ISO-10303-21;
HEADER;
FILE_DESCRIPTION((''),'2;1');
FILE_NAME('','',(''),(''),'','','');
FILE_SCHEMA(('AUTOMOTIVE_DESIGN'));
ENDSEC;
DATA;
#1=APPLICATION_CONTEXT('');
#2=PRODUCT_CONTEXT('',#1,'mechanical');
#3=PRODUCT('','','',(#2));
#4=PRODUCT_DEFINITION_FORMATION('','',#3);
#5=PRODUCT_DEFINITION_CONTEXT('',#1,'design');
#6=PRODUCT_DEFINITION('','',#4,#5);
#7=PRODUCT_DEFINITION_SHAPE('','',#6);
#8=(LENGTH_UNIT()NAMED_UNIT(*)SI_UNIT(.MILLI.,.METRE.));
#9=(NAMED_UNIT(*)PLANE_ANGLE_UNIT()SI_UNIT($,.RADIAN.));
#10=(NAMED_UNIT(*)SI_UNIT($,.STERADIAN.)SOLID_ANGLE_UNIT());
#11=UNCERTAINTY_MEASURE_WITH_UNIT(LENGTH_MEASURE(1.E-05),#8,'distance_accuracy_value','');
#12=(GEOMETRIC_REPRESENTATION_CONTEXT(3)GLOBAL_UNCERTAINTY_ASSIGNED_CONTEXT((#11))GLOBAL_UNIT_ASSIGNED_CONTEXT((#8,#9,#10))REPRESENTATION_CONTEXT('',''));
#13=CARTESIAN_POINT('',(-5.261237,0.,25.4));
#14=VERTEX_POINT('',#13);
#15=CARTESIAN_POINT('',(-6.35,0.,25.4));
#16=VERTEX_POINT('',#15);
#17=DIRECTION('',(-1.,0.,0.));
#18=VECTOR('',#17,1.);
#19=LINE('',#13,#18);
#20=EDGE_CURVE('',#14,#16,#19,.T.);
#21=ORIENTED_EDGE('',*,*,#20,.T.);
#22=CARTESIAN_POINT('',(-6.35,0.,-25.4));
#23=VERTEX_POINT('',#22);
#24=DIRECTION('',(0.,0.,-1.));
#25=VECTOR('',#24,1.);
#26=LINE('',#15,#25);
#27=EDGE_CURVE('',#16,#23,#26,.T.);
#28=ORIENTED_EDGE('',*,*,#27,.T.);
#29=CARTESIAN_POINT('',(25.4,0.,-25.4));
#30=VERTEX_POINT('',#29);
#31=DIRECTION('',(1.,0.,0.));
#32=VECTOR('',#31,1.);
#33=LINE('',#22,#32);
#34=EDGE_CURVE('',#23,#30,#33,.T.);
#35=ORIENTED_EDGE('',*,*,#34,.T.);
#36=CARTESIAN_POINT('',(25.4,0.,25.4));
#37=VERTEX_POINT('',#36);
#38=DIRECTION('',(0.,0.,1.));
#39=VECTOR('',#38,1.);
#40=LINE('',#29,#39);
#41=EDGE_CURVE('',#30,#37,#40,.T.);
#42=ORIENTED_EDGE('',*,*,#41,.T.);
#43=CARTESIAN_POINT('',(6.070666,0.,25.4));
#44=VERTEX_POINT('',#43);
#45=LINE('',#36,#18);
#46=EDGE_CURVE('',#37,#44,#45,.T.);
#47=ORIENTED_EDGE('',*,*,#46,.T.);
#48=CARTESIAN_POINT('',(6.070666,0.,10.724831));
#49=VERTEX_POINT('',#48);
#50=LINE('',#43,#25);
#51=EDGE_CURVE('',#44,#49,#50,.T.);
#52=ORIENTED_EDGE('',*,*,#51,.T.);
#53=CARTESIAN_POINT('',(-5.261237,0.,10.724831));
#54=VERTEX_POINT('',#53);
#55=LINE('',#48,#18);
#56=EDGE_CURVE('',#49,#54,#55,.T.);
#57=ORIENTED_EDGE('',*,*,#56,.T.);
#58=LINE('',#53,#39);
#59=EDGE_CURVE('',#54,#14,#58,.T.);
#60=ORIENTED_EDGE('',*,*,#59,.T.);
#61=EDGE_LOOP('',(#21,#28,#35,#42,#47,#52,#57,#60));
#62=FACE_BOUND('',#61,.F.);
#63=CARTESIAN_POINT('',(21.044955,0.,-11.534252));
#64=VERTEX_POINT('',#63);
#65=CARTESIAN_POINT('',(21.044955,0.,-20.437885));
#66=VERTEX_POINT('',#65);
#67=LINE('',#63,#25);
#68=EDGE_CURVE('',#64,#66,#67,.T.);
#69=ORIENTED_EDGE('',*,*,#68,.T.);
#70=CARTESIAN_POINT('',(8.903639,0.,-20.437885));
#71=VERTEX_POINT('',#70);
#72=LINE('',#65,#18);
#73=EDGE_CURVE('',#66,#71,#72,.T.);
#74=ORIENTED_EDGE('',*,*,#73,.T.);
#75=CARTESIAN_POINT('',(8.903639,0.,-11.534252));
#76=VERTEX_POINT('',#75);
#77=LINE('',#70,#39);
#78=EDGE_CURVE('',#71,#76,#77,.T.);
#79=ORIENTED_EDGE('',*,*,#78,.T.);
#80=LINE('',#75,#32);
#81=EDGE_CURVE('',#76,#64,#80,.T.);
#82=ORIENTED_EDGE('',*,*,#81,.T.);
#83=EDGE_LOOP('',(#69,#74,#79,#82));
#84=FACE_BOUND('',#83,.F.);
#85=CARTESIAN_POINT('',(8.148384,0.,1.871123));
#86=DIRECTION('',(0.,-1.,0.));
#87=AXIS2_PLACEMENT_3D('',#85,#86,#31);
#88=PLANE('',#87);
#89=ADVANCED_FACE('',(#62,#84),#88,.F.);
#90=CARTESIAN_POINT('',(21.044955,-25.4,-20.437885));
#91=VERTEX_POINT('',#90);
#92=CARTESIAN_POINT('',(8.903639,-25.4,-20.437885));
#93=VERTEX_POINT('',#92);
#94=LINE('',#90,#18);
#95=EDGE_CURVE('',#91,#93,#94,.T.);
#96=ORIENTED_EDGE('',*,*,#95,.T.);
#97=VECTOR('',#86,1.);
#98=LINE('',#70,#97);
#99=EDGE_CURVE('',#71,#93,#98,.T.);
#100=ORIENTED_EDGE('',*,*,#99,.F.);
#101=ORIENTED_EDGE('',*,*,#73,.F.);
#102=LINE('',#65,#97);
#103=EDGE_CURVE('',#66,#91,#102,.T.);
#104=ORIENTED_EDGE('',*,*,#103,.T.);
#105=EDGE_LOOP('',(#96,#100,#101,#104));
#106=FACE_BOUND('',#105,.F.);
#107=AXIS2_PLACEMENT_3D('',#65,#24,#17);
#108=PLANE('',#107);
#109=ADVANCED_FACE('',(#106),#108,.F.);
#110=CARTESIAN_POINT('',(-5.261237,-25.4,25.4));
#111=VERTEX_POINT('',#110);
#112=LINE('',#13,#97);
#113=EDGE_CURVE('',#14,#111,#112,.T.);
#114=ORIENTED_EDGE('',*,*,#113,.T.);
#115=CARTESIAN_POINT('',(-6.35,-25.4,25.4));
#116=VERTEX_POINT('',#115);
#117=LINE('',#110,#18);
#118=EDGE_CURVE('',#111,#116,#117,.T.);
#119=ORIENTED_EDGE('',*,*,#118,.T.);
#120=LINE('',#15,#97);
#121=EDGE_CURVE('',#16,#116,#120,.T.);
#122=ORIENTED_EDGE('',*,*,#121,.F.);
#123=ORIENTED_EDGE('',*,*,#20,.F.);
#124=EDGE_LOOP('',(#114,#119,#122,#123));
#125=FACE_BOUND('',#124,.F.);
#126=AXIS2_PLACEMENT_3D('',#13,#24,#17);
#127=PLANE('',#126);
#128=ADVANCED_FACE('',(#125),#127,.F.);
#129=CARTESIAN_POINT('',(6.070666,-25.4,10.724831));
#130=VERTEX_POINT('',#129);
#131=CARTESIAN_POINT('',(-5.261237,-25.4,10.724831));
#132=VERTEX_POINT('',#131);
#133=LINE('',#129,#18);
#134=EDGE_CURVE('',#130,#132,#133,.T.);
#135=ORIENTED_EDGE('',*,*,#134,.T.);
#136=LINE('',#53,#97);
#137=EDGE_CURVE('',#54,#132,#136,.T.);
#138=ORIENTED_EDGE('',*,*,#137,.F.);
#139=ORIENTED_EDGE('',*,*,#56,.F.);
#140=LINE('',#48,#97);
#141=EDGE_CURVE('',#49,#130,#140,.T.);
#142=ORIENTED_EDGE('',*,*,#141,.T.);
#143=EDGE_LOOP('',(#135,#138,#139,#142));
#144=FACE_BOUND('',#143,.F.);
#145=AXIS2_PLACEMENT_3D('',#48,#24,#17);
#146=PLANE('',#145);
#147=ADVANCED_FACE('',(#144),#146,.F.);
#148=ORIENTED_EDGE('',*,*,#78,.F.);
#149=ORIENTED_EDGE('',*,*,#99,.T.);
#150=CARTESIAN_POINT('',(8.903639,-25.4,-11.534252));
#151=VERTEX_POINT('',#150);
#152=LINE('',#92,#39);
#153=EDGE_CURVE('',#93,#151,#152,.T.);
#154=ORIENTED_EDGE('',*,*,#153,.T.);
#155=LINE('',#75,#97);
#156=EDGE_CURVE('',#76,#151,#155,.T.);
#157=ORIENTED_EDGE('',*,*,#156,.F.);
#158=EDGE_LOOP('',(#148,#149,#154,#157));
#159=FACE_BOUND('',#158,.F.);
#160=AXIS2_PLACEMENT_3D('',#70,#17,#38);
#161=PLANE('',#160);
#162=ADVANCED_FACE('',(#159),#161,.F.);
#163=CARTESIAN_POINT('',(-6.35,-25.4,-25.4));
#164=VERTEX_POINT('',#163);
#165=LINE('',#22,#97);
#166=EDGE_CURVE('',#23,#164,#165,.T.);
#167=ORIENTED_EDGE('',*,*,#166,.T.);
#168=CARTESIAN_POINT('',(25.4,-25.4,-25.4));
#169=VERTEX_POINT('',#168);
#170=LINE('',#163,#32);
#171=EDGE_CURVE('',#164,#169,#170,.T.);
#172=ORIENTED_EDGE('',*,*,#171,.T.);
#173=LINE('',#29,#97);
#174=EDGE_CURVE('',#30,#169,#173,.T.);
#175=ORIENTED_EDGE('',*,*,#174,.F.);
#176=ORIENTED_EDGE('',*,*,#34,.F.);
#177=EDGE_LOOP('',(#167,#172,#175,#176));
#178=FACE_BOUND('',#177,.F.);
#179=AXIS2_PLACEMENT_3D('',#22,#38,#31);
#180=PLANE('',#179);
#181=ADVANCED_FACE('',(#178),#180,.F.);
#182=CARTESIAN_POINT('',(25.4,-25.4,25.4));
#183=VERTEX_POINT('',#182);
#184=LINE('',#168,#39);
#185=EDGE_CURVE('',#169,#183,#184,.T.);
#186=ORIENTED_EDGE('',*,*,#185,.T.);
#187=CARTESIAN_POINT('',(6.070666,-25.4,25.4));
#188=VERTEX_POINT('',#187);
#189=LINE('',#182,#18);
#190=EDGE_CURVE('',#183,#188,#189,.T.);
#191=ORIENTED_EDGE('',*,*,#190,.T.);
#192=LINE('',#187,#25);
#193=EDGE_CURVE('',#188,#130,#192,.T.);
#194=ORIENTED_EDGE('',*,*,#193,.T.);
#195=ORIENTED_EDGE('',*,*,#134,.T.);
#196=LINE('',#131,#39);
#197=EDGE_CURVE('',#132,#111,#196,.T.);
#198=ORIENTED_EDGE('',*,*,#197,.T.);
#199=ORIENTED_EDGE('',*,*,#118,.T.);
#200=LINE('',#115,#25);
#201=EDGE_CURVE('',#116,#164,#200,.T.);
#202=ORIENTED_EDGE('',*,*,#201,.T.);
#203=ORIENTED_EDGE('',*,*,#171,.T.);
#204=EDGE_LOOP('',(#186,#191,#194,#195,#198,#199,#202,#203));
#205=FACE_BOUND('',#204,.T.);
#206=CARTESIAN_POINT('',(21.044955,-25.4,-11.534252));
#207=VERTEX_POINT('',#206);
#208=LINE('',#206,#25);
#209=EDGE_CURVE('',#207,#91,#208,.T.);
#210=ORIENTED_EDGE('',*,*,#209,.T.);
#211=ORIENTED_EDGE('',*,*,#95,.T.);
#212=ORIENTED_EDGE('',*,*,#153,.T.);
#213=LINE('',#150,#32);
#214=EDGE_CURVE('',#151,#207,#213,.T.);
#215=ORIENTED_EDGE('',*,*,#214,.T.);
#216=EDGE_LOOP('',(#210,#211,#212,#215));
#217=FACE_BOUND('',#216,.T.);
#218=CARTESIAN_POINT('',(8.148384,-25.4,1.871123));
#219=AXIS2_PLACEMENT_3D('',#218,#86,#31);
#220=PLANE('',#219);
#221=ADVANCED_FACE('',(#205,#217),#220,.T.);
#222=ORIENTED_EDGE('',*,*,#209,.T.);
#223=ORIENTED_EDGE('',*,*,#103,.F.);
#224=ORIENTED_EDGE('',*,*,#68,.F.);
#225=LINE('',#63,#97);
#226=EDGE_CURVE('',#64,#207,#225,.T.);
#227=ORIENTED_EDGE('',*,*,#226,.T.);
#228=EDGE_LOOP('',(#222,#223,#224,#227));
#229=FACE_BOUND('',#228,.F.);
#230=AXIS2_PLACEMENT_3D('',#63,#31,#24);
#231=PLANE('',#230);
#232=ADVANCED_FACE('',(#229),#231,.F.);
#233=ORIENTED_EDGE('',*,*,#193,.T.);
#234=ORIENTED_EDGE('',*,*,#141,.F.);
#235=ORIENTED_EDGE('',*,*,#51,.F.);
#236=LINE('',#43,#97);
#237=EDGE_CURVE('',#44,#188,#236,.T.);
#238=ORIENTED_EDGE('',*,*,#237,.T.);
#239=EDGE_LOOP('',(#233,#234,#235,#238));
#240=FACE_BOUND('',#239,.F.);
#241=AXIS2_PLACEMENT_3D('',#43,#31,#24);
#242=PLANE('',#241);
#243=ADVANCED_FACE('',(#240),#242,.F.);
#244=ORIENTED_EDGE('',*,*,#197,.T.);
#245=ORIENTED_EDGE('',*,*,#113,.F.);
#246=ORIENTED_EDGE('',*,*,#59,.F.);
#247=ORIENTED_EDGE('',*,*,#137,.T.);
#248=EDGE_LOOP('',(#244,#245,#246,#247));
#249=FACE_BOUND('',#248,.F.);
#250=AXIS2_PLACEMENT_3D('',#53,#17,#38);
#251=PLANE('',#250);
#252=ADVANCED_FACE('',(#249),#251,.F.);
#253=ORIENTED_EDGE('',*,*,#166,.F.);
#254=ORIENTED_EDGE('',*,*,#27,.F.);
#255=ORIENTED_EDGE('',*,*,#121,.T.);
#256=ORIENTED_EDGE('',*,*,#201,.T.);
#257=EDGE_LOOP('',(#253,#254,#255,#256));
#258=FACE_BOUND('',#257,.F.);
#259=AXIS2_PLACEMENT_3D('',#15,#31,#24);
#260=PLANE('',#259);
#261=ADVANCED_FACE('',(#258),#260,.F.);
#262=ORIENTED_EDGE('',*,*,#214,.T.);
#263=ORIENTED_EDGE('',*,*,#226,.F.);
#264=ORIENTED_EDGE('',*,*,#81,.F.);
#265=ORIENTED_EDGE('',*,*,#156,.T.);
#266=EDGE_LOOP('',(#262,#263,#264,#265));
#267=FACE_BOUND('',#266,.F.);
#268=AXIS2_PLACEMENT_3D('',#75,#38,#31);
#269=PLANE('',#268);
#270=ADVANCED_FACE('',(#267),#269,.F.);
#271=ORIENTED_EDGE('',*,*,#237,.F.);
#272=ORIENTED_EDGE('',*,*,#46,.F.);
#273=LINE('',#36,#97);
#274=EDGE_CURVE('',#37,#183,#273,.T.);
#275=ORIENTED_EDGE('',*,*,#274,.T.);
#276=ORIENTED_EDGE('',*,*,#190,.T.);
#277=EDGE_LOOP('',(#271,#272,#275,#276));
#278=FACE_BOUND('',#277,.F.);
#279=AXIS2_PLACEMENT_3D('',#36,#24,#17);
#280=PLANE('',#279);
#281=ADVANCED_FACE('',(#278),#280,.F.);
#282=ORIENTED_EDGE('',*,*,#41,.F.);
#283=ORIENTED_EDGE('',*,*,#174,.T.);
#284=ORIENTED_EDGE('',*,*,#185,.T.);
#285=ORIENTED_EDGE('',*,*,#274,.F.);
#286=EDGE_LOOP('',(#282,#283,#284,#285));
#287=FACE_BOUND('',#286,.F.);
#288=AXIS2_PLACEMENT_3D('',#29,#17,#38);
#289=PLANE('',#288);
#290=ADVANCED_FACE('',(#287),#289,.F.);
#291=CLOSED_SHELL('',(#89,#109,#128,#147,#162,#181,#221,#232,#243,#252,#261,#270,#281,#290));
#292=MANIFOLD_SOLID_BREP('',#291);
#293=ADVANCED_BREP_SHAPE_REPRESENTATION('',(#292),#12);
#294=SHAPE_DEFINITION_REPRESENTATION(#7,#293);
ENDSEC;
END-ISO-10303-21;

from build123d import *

# Parameters (mm, degrees)
F2_DEPTH = 25.4


with BuildPart() as f2:
    # F0 (on Front) → F2 (new body)
    with BuildSketch(Plane.XZ):
        Polygon((-6.35, -25.4), (25.4, -25.4), (25.4, 25.4), (6.070666, 25.4), (6.070666, 10.724831), (-5.261237, 10.724831), (-5.261237, 25.4), (-6.35, 25.4), align=None)
        Polygon((8.903639, -15.986069), (8.903639, -11.534252), (14.974297, -11.534252), (21.044955, -11.534252), (21.044955, -15.986069), (21.044955, -20.437885), (14.974297, -20.437885), (8.903639, -20.437885), align=None, mode=Mode.SUBTRACT)
    extrude(amount=F2_DEPTH)


solid = f2.part
